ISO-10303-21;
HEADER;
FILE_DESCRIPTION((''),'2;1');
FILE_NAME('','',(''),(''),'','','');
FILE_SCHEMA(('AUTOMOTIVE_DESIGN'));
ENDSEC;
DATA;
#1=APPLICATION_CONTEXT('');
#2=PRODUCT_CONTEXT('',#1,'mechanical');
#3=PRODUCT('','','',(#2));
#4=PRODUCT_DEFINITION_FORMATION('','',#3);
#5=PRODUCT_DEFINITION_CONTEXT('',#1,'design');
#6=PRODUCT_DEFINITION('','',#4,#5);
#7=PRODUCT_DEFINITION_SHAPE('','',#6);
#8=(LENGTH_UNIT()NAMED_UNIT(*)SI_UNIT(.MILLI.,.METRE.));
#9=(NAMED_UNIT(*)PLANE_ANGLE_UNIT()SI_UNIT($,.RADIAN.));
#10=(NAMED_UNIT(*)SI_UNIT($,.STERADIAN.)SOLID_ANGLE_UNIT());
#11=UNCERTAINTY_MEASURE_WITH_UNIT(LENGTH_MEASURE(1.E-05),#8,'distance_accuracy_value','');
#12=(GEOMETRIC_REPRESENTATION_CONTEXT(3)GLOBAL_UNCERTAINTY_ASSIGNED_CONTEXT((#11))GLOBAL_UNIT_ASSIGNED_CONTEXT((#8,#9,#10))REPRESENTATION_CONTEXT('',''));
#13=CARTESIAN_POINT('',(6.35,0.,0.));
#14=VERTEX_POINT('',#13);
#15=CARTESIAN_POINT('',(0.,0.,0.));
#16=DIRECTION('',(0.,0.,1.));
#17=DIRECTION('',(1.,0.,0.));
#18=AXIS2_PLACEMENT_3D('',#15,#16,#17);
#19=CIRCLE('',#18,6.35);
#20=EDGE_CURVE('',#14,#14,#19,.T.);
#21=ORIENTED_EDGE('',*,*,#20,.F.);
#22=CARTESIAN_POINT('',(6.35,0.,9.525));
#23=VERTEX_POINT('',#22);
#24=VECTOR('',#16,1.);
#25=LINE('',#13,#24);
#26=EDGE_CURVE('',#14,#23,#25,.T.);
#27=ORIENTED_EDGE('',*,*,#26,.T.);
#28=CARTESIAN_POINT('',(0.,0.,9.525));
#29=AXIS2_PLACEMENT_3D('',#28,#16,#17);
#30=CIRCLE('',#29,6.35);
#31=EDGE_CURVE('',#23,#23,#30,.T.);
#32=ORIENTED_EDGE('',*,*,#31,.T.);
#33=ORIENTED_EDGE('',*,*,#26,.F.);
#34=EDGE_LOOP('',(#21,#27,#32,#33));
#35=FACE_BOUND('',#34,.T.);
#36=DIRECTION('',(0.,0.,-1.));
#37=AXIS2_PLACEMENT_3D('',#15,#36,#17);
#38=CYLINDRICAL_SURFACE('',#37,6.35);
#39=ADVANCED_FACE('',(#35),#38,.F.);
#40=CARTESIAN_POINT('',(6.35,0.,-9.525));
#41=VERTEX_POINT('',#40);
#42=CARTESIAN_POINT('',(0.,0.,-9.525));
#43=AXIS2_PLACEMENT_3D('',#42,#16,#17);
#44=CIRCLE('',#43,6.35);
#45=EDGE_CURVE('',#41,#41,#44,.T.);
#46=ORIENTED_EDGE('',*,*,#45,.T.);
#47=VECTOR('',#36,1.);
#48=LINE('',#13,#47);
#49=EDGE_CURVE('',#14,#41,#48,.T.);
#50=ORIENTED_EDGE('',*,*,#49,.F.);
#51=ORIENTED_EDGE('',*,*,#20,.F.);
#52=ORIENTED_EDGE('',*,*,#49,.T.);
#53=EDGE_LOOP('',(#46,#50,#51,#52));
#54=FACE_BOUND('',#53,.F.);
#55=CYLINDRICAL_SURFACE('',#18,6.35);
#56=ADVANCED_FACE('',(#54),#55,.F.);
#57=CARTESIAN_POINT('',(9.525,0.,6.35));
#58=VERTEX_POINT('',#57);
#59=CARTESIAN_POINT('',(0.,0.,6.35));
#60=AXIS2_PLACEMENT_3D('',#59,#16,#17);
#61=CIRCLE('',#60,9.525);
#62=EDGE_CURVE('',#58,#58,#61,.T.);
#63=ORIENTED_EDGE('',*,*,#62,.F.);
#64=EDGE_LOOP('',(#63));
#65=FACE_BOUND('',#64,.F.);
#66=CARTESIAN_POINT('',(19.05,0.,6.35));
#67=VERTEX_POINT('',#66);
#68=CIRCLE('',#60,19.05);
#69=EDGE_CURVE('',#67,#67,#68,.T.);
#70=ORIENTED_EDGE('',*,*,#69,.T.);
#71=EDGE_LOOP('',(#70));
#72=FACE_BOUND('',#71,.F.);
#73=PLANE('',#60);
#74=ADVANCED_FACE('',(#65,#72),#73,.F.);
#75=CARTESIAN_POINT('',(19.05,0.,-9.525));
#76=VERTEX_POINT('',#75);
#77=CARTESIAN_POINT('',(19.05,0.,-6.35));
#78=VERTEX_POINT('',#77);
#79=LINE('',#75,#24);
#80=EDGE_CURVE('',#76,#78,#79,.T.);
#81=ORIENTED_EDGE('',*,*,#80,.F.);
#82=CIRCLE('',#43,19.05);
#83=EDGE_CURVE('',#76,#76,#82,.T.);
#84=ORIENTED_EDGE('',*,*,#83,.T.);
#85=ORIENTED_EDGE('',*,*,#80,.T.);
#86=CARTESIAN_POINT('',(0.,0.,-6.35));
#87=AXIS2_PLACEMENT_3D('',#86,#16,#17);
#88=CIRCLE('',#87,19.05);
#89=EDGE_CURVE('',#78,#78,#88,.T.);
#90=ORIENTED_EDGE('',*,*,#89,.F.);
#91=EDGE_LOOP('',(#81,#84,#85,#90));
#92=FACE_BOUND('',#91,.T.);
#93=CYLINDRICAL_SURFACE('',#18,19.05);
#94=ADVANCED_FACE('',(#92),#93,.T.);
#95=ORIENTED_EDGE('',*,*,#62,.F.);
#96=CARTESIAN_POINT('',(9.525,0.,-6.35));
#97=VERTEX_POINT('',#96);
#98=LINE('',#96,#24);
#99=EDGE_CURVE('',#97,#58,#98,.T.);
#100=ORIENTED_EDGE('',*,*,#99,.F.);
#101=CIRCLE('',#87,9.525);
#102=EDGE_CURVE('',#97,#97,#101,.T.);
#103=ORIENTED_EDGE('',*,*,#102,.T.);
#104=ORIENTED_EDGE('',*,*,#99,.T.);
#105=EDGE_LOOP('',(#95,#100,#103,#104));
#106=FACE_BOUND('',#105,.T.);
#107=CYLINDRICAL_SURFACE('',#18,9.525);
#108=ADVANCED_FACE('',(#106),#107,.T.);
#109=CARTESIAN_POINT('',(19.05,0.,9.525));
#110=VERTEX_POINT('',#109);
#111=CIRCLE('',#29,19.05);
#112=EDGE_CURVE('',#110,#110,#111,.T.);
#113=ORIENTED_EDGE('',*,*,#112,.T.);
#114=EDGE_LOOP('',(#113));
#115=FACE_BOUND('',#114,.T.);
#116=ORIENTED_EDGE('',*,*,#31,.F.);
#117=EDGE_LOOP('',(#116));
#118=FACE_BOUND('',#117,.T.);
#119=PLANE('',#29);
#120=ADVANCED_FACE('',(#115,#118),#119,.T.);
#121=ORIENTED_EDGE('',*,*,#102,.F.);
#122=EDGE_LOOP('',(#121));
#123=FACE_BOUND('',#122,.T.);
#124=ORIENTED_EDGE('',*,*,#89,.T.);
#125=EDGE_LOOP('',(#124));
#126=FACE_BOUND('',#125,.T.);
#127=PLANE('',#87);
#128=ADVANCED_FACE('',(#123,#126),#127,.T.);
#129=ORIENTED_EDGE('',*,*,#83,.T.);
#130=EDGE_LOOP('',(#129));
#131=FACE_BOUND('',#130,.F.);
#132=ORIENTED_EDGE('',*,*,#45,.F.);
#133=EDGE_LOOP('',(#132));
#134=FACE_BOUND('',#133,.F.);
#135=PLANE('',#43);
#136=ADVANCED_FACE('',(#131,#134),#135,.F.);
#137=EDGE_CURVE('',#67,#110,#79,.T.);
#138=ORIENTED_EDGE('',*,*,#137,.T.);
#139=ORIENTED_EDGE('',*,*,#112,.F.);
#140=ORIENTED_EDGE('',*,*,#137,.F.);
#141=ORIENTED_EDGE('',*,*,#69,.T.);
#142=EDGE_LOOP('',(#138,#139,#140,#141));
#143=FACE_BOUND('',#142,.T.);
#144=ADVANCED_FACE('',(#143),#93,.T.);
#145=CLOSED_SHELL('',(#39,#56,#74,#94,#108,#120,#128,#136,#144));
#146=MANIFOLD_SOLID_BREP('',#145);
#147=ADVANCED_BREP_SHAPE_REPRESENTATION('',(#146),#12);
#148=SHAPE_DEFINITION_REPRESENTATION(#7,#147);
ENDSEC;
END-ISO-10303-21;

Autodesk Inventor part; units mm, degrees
ref_plane "YZ Plane" through (0, 0, 0) normal (1, 0, 0) x (0, 1, 0)
ref_plane "XZ Plane" through (0, 0, 0) normal (0, 1, 0) x (-1, 0, 0)
ref_plane "XY Plane" through (0, 0, 0) normal (0, 0, 1) x (1, 0, 0)
sketch "Sketch1" plane through (0, 0, 0) normal (0, 0, 1) x (1, 0, 0)
  circle A0 centre (0, 0) radius 19.05
  circle A1 centre (0, 0) radius 9.525
  circle A2 centre (0, 0) radius 6.35
  dimension "d0" = 38.1
  dimension "d1" = 19.05
  dimension "d2" = 12.7
extrude "Extrusion1" add sketch "Sketch1" along normal mid plane 19.05 contours A0 | A1
extrude "Extrusion2" cut sketch "Sketch1" along normal mid plane 12.7 contours A0
properties part number "1.5inch_sprocket"
